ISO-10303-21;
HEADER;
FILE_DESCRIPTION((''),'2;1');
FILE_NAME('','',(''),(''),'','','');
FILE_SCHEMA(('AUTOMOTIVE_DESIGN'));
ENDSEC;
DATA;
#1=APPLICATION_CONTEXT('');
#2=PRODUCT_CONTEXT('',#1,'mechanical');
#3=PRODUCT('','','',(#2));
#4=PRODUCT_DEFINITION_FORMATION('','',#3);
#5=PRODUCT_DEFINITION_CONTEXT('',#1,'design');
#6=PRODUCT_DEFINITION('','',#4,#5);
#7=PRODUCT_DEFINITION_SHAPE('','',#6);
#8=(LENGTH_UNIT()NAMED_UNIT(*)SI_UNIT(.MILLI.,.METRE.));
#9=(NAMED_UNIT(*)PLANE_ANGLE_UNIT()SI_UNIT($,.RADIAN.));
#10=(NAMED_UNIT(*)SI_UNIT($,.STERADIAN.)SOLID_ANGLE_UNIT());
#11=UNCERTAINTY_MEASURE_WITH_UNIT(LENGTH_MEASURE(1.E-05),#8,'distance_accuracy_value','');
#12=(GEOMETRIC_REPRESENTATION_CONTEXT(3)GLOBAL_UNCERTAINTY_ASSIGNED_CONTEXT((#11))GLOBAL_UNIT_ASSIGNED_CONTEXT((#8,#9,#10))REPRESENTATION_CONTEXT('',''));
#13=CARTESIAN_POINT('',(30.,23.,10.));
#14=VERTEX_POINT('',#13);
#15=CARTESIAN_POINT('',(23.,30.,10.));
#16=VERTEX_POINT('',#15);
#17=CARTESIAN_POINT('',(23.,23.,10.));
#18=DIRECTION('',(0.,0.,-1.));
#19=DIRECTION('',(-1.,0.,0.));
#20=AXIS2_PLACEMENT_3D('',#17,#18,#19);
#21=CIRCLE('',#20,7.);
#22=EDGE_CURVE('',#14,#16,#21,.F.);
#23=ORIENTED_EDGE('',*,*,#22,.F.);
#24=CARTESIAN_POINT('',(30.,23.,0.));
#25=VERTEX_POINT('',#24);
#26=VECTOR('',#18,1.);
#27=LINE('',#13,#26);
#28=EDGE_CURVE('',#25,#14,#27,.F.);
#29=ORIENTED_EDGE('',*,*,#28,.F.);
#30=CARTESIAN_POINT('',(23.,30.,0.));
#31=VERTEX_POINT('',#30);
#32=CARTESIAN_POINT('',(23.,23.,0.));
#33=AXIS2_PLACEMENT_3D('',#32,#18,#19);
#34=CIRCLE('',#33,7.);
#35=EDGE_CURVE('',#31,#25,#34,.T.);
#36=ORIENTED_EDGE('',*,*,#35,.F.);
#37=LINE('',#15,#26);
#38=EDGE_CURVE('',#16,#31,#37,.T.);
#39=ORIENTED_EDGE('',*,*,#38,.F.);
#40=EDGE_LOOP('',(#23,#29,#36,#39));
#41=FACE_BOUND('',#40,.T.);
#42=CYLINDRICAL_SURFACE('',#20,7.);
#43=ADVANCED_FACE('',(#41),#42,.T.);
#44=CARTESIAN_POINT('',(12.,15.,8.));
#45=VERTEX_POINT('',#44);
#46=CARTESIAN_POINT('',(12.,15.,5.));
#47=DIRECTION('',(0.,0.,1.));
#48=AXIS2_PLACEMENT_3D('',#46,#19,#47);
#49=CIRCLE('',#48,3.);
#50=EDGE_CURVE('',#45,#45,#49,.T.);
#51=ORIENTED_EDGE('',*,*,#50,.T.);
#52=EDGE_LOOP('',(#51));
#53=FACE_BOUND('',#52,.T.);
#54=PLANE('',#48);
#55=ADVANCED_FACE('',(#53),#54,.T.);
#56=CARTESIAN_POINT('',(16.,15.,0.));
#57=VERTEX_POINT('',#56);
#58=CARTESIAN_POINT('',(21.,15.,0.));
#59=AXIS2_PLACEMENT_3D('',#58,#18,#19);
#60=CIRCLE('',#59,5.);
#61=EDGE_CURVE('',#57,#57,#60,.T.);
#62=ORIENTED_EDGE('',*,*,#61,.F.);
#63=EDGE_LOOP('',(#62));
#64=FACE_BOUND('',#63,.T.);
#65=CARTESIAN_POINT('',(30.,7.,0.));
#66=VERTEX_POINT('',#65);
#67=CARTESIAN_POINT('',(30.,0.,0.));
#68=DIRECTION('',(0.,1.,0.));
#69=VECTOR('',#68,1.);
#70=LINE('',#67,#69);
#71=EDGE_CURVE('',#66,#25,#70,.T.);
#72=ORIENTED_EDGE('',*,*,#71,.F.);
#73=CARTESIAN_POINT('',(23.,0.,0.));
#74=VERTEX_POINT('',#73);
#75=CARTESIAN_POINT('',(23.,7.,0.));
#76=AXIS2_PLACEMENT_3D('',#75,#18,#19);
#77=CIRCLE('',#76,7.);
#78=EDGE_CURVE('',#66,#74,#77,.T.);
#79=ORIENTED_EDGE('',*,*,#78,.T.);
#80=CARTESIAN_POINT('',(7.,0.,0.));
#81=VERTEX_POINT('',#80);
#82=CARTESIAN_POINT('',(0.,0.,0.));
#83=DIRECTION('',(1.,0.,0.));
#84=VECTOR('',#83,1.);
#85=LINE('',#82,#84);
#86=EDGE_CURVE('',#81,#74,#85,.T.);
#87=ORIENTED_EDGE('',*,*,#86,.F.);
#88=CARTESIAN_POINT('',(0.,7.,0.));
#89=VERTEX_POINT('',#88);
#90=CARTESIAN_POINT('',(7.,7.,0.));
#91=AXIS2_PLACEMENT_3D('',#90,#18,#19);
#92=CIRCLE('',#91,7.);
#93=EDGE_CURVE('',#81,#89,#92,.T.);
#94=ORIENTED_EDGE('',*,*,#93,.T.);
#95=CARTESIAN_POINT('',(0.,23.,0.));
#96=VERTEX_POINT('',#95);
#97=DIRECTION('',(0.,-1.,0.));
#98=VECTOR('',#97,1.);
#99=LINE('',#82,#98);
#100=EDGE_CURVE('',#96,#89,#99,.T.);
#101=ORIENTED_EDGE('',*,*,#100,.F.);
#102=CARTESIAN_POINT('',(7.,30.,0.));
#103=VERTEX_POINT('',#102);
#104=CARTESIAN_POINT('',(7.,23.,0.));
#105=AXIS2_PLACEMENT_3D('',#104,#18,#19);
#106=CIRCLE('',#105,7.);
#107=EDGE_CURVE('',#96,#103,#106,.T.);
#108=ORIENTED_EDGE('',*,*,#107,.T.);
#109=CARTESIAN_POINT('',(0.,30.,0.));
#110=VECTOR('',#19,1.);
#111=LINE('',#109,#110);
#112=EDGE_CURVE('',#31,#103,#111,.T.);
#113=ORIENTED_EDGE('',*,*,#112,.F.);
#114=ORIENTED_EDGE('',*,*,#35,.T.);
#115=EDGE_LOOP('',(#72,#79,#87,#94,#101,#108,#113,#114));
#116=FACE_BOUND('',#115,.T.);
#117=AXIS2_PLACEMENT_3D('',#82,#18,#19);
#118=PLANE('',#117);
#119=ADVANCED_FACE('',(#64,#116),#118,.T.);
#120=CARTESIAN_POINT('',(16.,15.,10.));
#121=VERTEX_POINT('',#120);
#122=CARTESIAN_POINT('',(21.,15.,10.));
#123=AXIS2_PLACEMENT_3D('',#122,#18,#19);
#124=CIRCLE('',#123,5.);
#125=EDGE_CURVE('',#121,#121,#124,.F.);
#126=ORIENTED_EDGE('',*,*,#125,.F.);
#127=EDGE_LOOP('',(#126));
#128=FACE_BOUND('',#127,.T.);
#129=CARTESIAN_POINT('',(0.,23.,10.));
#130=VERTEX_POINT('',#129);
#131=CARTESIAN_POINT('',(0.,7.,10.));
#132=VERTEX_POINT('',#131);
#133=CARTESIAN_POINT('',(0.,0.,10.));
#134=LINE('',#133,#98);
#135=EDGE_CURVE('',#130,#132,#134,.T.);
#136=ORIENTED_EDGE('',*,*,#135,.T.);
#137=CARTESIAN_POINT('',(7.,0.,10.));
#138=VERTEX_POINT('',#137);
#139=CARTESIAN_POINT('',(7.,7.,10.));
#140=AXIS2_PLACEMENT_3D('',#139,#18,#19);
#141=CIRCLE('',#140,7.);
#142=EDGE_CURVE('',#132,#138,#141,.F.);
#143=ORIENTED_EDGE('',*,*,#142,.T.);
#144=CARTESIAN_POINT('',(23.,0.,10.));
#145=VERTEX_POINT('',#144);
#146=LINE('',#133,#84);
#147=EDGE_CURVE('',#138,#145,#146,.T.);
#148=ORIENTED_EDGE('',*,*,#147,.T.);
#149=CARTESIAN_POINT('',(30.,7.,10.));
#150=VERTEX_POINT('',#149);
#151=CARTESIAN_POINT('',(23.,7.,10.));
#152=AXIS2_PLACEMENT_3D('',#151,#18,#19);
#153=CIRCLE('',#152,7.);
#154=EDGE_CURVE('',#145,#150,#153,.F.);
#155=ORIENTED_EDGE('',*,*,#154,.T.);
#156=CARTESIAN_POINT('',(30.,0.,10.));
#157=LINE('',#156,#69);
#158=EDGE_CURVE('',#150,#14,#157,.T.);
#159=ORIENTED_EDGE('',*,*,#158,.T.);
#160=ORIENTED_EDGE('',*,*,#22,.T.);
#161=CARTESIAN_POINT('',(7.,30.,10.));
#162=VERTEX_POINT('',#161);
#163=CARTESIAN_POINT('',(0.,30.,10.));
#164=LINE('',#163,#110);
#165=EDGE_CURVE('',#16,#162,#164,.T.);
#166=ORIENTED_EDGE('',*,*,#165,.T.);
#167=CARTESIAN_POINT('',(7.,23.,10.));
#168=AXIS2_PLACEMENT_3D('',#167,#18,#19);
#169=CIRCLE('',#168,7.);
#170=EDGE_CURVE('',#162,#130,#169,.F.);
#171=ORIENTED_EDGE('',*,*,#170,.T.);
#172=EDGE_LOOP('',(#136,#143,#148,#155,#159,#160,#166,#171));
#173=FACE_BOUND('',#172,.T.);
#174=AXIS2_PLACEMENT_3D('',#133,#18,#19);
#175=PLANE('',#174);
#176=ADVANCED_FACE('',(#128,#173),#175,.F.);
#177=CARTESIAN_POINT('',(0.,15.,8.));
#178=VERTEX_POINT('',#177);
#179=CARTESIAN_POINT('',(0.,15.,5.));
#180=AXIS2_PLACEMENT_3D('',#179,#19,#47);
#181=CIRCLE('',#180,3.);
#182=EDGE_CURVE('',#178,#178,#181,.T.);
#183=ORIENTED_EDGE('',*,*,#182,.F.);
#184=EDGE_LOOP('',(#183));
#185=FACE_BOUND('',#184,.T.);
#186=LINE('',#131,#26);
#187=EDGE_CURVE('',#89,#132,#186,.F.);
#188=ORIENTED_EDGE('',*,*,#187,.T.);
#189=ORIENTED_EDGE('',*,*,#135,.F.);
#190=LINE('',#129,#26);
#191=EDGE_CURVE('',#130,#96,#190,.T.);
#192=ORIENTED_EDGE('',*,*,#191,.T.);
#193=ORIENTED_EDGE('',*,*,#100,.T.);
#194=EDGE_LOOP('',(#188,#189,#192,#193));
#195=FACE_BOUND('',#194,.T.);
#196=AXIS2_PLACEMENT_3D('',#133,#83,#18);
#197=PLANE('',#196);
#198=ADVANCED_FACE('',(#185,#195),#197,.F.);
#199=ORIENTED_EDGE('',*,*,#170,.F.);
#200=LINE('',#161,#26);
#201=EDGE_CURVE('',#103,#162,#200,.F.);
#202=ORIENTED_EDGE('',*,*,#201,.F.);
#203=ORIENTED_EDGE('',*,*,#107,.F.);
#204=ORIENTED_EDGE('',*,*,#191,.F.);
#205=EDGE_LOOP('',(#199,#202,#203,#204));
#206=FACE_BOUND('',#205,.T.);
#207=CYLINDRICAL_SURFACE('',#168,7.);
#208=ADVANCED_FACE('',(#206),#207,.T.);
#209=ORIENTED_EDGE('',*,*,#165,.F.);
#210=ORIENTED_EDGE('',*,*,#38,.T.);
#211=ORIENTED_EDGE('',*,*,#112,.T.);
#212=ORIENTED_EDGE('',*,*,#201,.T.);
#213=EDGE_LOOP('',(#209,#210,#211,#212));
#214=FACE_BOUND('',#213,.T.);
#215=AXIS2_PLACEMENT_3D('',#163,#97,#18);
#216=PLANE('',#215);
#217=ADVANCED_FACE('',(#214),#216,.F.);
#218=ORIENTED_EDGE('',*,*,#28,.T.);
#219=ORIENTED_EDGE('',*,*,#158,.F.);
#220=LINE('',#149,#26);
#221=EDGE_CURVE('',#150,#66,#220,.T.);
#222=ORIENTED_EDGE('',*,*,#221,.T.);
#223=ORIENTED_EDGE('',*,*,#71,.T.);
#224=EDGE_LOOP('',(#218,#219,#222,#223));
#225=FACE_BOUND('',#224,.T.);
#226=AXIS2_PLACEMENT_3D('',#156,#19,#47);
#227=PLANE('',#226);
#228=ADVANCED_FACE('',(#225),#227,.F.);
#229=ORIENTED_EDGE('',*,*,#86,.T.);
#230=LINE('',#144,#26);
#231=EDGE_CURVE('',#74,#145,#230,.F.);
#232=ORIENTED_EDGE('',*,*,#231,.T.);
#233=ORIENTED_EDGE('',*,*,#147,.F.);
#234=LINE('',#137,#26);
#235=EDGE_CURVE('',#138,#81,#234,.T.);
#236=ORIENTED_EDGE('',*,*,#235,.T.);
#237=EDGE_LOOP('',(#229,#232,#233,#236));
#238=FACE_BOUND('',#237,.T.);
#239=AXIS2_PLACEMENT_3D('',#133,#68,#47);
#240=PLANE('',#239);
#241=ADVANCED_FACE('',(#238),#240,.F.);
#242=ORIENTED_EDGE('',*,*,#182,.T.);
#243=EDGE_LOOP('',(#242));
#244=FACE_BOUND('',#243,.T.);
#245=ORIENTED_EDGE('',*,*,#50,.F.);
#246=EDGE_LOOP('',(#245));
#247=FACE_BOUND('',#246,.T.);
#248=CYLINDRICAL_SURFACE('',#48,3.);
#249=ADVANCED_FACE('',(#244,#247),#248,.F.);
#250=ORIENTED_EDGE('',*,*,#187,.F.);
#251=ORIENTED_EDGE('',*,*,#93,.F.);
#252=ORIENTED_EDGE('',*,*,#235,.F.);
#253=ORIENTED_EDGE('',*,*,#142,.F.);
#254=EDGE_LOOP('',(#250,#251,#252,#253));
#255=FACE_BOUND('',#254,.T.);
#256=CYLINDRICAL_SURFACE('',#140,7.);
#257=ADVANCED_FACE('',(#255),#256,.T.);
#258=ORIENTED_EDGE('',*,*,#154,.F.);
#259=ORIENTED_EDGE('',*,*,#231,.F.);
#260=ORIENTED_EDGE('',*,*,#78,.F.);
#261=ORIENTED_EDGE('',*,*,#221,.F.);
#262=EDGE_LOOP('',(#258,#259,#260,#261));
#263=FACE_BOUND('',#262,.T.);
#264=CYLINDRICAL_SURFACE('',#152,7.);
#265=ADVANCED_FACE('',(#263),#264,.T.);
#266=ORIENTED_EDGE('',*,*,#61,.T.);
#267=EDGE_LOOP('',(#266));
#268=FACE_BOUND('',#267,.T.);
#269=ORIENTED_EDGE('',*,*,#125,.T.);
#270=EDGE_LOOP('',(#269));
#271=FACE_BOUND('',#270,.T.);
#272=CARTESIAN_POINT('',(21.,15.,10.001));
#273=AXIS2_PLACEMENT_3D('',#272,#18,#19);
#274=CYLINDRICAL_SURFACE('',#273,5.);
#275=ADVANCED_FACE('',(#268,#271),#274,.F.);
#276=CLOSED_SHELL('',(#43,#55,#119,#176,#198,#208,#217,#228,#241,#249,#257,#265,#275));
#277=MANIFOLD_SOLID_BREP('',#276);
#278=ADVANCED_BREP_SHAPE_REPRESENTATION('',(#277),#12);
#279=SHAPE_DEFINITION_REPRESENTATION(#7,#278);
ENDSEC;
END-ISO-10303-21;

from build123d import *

# Parameters (mm, degrees)
SKETCH_1_W          = 30
SKETCH_1_H          = 30
EXTRUDE_1_DEPTH     = 10
CUT_EXTRUDE_1_REACH = 45.589
SKETCH_2_R          = 5
FILLET_1_R          = 7
SKETCH_3_R          = 3
CUT_EXTRUDE_2_DEPTH = 12


with BuildPart() as part:
    # 草图1 → 凸台-拉伸1 (new body)
    with BuildSketch(Plane.XY):
        with Locations((15, 15)):
            Rectangle(SKETCH_1_W, SKETCH_1_H)
    extrude(amount=EXTRUDE_1_DEPTH)

    # 草图2 → 切除-拉伸1 (cut, up to next)
    with BuildSketch(Plane(origin=(0, 0, 0), x_dir=(-1, 0, 0), z_dir=(0, 0, -1)), mode=Mode.PRIVATE) as cut_extrude_1_sk1:
        with Locations((-21, 15)):
            Circle(SKETCH_2_R)
    cut_extrude_1_tool1 = extrude(cut_extrude_1_sk1.sketch, amount=-CUT_EXTRUDE_1_REACH, mode=Mode.PRIVATE) & part.part
    add(cut_extrude_1_tool1.solids().sort_by_distance((21, 15, 0))[0], mode=Mode.SUBTRACT)

    # 圆角1
    fillet_1_edges = [part.edges().sort_by_distance(p)[0] for p in [
        (0, 30, 5),
        (30, 30, 5),
        (30, 0, 5),
        (0, 0, 5),
    ]]
    fillet(fillet_1_edges, radius=FILLET_1_R)

    # 草图3 → 切除-拉伸2 (cut)
    with BuildSketch(Plane.ZY):
        with Locations((5, 15)):
            Circle(SKETCH_3_R)
    extrude(amount=-CUT_EXTRUDE_2_DEPTH, mode=Mode.SUBTRACT)


solid = part.part
